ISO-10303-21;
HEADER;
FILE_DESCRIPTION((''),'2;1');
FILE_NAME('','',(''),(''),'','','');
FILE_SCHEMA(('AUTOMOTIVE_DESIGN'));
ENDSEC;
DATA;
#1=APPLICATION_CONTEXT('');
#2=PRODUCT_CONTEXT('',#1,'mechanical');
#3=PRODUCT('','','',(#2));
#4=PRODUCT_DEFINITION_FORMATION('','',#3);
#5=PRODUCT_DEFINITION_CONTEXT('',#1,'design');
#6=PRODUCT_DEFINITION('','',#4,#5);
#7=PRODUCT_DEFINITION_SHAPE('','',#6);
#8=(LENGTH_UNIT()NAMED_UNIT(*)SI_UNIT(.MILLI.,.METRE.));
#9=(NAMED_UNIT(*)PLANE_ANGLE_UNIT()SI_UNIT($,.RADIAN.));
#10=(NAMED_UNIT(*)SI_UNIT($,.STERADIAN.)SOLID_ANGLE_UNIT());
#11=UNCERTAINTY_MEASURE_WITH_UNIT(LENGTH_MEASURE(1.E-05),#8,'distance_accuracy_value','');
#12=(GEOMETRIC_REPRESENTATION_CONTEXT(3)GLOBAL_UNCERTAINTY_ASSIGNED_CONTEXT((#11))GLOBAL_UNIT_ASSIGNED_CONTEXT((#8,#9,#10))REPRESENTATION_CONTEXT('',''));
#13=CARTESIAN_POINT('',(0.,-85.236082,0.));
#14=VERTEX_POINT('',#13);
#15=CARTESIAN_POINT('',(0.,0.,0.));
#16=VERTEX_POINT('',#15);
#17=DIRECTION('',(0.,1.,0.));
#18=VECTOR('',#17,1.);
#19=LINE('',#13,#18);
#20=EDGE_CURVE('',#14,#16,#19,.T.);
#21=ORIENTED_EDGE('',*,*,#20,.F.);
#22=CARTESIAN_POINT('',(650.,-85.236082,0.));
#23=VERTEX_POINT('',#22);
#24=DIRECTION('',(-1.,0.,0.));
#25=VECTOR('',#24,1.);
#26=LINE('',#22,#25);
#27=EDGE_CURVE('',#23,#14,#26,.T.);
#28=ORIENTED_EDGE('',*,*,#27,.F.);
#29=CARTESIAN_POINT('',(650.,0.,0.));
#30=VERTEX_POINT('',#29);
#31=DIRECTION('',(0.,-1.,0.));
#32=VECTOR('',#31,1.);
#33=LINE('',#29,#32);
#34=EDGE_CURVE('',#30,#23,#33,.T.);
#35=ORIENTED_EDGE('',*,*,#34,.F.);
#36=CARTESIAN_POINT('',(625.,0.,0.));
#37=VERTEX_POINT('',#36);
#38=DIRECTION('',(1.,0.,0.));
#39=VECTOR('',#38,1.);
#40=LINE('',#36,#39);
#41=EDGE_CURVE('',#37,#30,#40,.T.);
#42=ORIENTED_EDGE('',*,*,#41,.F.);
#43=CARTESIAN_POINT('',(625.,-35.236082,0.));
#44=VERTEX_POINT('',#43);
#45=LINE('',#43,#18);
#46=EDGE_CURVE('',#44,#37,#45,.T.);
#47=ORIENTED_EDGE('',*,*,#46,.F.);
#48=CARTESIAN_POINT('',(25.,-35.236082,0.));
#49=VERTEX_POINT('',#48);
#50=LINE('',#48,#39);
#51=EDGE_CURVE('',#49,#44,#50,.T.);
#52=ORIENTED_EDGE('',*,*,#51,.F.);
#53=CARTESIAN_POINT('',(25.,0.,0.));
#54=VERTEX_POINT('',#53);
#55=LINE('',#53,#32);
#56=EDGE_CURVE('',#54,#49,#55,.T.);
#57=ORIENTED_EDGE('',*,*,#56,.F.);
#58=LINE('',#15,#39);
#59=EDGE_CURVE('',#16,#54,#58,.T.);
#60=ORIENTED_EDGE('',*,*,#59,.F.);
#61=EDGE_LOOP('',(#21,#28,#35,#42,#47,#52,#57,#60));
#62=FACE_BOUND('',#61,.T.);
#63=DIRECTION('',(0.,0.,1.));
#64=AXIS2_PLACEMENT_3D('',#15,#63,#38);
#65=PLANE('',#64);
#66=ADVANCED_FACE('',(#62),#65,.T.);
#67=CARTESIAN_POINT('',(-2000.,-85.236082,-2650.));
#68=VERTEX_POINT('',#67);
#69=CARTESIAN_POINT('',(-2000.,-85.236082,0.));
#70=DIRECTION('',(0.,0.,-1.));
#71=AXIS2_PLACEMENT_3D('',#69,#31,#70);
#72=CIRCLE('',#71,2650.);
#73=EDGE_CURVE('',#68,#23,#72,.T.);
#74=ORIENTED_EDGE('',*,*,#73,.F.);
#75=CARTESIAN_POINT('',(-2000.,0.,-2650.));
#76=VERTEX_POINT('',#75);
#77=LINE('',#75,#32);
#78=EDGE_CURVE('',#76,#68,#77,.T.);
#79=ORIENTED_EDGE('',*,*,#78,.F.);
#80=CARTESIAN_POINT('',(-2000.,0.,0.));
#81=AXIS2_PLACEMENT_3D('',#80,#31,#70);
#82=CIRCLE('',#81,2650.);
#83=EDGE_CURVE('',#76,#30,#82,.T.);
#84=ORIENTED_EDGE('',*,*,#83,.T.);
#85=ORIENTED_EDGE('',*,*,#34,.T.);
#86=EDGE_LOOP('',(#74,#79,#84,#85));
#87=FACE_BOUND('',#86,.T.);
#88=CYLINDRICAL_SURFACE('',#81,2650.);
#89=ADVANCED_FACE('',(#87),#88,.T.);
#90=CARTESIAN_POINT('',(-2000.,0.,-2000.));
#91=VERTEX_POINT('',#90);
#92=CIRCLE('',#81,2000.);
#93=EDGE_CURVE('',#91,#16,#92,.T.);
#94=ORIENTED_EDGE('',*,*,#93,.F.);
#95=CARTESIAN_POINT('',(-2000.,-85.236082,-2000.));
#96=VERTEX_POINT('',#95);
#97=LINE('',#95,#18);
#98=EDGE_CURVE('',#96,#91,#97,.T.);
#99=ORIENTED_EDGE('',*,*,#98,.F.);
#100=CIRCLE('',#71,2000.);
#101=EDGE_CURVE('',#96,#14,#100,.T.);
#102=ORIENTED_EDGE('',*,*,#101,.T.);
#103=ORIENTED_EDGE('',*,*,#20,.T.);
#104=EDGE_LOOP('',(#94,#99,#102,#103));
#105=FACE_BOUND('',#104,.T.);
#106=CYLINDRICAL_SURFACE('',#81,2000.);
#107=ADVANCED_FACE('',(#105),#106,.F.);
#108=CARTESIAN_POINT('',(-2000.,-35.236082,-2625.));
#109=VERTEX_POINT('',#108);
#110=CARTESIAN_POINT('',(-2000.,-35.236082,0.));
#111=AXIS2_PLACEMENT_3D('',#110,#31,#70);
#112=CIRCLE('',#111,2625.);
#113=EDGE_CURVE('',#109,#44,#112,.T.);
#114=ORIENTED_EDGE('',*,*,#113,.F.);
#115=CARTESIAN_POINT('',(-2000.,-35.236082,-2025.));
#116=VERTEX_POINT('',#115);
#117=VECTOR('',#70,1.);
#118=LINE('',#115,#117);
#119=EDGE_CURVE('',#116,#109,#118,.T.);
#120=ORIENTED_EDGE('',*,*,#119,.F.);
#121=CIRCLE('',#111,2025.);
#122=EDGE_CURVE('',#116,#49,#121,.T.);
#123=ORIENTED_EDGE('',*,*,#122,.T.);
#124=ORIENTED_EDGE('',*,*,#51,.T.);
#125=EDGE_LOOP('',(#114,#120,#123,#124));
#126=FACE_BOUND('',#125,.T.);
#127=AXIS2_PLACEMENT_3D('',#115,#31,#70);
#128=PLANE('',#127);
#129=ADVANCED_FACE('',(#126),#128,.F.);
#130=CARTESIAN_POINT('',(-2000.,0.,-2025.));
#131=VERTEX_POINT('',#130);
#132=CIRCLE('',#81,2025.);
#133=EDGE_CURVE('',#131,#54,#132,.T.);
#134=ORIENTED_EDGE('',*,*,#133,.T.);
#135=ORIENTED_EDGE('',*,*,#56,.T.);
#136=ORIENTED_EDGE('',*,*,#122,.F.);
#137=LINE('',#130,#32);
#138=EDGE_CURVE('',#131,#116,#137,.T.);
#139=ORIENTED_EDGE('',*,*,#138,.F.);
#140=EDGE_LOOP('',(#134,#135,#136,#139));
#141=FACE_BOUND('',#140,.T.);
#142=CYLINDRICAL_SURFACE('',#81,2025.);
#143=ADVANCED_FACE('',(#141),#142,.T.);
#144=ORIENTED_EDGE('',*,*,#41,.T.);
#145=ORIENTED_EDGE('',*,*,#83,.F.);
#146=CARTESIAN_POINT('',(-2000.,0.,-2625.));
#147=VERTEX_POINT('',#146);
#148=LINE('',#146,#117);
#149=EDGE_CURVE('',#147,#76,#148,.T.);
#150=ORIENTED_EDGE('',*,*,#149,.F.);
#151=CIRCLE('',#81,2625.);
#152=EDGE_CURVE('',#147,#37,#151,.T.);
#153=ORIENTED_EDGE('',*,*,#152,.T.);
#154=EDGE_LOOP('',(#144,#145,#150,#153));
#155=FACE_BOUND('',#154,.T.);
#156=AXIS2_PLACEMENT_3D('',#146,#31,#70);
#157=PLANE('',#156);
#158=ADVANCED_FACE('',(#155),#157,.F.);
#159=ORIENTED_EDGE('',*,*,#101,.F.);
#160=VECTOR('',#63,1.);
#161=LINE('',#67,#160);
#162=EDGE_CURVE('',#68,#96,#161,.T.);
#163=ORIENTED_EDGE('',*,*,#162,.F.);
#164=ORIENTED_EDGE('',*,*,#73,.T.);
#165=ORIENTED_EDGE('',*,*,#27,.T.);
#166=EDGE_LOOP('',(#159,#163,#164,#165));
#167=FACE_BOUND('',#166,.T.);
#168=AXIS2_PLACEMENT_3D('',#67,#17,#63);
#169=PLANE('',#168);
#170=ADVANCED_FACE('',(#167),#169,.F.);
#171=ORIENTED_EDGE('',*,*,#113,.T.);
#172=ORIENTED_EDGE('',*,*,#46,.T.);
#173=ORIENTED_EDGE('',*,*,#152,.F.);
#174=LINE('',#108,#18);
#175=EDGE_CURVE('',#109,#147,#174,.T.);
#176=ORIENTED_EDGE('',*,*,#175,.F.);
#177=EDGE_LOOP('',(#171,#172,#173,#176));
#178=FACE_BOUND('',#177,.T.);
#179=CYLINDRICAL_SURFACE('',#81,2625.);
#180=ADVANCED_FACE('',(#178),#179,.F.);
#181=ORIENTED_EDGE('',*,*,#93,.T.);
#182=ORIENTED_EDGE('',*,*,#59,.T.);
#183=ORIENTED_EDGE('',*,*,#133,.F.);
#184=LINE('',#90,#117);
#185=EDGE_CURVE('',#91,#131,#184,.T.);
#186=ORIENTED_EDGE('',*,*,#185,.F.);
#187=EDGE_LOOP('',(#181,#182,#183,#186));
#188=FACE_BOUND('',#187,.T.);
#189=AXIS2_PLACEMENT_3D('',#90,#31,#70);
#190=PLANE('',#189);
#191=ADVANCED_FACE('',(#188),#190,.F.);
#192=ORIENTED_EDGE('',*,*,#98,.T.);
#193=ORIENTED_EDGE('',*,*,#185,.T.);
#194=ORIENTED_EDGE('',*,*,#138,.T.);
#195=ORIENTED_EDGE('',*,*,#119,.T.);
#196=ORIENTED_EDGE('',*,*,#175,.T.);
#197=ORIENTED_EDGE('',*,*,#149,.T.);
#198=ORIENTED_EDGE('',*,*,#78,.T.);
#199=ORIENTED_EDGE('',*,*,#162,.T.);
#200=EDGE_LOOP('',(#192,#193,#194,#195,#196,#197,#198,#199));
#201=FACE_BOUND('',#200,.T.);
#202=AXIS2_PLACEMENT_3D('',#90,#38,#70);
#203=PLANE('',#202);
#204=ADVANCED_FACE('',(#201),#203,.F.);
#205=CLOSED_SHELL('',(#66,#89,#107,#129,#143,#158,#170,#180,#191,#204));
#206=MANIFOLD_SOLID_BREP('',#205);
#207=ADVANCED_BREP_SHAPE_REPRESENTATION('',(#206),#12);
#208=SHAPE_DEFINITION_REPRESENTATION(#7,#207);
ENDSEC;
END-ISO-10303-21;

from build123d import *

# Parameters (mm, degrees)
REVOLVE3_ANGLE = 90


with BuildPart() as part:
    # Sketch1 → Revolve3 (revolve)
    with BuildSketch(Plane.XY):
        Polygon((0, 0), (25, 0), (25, -35.236081748), (625, -35.236081748), (625, 0), (650, 0), (650, -85.236081748), (0, -85.236081748), align=None)
    revolve(axis=Axis((-2000, 0, 0), (0, 1, 0)), revolution_arc=REVOLVE3_ANGLE)


solid = part.part
